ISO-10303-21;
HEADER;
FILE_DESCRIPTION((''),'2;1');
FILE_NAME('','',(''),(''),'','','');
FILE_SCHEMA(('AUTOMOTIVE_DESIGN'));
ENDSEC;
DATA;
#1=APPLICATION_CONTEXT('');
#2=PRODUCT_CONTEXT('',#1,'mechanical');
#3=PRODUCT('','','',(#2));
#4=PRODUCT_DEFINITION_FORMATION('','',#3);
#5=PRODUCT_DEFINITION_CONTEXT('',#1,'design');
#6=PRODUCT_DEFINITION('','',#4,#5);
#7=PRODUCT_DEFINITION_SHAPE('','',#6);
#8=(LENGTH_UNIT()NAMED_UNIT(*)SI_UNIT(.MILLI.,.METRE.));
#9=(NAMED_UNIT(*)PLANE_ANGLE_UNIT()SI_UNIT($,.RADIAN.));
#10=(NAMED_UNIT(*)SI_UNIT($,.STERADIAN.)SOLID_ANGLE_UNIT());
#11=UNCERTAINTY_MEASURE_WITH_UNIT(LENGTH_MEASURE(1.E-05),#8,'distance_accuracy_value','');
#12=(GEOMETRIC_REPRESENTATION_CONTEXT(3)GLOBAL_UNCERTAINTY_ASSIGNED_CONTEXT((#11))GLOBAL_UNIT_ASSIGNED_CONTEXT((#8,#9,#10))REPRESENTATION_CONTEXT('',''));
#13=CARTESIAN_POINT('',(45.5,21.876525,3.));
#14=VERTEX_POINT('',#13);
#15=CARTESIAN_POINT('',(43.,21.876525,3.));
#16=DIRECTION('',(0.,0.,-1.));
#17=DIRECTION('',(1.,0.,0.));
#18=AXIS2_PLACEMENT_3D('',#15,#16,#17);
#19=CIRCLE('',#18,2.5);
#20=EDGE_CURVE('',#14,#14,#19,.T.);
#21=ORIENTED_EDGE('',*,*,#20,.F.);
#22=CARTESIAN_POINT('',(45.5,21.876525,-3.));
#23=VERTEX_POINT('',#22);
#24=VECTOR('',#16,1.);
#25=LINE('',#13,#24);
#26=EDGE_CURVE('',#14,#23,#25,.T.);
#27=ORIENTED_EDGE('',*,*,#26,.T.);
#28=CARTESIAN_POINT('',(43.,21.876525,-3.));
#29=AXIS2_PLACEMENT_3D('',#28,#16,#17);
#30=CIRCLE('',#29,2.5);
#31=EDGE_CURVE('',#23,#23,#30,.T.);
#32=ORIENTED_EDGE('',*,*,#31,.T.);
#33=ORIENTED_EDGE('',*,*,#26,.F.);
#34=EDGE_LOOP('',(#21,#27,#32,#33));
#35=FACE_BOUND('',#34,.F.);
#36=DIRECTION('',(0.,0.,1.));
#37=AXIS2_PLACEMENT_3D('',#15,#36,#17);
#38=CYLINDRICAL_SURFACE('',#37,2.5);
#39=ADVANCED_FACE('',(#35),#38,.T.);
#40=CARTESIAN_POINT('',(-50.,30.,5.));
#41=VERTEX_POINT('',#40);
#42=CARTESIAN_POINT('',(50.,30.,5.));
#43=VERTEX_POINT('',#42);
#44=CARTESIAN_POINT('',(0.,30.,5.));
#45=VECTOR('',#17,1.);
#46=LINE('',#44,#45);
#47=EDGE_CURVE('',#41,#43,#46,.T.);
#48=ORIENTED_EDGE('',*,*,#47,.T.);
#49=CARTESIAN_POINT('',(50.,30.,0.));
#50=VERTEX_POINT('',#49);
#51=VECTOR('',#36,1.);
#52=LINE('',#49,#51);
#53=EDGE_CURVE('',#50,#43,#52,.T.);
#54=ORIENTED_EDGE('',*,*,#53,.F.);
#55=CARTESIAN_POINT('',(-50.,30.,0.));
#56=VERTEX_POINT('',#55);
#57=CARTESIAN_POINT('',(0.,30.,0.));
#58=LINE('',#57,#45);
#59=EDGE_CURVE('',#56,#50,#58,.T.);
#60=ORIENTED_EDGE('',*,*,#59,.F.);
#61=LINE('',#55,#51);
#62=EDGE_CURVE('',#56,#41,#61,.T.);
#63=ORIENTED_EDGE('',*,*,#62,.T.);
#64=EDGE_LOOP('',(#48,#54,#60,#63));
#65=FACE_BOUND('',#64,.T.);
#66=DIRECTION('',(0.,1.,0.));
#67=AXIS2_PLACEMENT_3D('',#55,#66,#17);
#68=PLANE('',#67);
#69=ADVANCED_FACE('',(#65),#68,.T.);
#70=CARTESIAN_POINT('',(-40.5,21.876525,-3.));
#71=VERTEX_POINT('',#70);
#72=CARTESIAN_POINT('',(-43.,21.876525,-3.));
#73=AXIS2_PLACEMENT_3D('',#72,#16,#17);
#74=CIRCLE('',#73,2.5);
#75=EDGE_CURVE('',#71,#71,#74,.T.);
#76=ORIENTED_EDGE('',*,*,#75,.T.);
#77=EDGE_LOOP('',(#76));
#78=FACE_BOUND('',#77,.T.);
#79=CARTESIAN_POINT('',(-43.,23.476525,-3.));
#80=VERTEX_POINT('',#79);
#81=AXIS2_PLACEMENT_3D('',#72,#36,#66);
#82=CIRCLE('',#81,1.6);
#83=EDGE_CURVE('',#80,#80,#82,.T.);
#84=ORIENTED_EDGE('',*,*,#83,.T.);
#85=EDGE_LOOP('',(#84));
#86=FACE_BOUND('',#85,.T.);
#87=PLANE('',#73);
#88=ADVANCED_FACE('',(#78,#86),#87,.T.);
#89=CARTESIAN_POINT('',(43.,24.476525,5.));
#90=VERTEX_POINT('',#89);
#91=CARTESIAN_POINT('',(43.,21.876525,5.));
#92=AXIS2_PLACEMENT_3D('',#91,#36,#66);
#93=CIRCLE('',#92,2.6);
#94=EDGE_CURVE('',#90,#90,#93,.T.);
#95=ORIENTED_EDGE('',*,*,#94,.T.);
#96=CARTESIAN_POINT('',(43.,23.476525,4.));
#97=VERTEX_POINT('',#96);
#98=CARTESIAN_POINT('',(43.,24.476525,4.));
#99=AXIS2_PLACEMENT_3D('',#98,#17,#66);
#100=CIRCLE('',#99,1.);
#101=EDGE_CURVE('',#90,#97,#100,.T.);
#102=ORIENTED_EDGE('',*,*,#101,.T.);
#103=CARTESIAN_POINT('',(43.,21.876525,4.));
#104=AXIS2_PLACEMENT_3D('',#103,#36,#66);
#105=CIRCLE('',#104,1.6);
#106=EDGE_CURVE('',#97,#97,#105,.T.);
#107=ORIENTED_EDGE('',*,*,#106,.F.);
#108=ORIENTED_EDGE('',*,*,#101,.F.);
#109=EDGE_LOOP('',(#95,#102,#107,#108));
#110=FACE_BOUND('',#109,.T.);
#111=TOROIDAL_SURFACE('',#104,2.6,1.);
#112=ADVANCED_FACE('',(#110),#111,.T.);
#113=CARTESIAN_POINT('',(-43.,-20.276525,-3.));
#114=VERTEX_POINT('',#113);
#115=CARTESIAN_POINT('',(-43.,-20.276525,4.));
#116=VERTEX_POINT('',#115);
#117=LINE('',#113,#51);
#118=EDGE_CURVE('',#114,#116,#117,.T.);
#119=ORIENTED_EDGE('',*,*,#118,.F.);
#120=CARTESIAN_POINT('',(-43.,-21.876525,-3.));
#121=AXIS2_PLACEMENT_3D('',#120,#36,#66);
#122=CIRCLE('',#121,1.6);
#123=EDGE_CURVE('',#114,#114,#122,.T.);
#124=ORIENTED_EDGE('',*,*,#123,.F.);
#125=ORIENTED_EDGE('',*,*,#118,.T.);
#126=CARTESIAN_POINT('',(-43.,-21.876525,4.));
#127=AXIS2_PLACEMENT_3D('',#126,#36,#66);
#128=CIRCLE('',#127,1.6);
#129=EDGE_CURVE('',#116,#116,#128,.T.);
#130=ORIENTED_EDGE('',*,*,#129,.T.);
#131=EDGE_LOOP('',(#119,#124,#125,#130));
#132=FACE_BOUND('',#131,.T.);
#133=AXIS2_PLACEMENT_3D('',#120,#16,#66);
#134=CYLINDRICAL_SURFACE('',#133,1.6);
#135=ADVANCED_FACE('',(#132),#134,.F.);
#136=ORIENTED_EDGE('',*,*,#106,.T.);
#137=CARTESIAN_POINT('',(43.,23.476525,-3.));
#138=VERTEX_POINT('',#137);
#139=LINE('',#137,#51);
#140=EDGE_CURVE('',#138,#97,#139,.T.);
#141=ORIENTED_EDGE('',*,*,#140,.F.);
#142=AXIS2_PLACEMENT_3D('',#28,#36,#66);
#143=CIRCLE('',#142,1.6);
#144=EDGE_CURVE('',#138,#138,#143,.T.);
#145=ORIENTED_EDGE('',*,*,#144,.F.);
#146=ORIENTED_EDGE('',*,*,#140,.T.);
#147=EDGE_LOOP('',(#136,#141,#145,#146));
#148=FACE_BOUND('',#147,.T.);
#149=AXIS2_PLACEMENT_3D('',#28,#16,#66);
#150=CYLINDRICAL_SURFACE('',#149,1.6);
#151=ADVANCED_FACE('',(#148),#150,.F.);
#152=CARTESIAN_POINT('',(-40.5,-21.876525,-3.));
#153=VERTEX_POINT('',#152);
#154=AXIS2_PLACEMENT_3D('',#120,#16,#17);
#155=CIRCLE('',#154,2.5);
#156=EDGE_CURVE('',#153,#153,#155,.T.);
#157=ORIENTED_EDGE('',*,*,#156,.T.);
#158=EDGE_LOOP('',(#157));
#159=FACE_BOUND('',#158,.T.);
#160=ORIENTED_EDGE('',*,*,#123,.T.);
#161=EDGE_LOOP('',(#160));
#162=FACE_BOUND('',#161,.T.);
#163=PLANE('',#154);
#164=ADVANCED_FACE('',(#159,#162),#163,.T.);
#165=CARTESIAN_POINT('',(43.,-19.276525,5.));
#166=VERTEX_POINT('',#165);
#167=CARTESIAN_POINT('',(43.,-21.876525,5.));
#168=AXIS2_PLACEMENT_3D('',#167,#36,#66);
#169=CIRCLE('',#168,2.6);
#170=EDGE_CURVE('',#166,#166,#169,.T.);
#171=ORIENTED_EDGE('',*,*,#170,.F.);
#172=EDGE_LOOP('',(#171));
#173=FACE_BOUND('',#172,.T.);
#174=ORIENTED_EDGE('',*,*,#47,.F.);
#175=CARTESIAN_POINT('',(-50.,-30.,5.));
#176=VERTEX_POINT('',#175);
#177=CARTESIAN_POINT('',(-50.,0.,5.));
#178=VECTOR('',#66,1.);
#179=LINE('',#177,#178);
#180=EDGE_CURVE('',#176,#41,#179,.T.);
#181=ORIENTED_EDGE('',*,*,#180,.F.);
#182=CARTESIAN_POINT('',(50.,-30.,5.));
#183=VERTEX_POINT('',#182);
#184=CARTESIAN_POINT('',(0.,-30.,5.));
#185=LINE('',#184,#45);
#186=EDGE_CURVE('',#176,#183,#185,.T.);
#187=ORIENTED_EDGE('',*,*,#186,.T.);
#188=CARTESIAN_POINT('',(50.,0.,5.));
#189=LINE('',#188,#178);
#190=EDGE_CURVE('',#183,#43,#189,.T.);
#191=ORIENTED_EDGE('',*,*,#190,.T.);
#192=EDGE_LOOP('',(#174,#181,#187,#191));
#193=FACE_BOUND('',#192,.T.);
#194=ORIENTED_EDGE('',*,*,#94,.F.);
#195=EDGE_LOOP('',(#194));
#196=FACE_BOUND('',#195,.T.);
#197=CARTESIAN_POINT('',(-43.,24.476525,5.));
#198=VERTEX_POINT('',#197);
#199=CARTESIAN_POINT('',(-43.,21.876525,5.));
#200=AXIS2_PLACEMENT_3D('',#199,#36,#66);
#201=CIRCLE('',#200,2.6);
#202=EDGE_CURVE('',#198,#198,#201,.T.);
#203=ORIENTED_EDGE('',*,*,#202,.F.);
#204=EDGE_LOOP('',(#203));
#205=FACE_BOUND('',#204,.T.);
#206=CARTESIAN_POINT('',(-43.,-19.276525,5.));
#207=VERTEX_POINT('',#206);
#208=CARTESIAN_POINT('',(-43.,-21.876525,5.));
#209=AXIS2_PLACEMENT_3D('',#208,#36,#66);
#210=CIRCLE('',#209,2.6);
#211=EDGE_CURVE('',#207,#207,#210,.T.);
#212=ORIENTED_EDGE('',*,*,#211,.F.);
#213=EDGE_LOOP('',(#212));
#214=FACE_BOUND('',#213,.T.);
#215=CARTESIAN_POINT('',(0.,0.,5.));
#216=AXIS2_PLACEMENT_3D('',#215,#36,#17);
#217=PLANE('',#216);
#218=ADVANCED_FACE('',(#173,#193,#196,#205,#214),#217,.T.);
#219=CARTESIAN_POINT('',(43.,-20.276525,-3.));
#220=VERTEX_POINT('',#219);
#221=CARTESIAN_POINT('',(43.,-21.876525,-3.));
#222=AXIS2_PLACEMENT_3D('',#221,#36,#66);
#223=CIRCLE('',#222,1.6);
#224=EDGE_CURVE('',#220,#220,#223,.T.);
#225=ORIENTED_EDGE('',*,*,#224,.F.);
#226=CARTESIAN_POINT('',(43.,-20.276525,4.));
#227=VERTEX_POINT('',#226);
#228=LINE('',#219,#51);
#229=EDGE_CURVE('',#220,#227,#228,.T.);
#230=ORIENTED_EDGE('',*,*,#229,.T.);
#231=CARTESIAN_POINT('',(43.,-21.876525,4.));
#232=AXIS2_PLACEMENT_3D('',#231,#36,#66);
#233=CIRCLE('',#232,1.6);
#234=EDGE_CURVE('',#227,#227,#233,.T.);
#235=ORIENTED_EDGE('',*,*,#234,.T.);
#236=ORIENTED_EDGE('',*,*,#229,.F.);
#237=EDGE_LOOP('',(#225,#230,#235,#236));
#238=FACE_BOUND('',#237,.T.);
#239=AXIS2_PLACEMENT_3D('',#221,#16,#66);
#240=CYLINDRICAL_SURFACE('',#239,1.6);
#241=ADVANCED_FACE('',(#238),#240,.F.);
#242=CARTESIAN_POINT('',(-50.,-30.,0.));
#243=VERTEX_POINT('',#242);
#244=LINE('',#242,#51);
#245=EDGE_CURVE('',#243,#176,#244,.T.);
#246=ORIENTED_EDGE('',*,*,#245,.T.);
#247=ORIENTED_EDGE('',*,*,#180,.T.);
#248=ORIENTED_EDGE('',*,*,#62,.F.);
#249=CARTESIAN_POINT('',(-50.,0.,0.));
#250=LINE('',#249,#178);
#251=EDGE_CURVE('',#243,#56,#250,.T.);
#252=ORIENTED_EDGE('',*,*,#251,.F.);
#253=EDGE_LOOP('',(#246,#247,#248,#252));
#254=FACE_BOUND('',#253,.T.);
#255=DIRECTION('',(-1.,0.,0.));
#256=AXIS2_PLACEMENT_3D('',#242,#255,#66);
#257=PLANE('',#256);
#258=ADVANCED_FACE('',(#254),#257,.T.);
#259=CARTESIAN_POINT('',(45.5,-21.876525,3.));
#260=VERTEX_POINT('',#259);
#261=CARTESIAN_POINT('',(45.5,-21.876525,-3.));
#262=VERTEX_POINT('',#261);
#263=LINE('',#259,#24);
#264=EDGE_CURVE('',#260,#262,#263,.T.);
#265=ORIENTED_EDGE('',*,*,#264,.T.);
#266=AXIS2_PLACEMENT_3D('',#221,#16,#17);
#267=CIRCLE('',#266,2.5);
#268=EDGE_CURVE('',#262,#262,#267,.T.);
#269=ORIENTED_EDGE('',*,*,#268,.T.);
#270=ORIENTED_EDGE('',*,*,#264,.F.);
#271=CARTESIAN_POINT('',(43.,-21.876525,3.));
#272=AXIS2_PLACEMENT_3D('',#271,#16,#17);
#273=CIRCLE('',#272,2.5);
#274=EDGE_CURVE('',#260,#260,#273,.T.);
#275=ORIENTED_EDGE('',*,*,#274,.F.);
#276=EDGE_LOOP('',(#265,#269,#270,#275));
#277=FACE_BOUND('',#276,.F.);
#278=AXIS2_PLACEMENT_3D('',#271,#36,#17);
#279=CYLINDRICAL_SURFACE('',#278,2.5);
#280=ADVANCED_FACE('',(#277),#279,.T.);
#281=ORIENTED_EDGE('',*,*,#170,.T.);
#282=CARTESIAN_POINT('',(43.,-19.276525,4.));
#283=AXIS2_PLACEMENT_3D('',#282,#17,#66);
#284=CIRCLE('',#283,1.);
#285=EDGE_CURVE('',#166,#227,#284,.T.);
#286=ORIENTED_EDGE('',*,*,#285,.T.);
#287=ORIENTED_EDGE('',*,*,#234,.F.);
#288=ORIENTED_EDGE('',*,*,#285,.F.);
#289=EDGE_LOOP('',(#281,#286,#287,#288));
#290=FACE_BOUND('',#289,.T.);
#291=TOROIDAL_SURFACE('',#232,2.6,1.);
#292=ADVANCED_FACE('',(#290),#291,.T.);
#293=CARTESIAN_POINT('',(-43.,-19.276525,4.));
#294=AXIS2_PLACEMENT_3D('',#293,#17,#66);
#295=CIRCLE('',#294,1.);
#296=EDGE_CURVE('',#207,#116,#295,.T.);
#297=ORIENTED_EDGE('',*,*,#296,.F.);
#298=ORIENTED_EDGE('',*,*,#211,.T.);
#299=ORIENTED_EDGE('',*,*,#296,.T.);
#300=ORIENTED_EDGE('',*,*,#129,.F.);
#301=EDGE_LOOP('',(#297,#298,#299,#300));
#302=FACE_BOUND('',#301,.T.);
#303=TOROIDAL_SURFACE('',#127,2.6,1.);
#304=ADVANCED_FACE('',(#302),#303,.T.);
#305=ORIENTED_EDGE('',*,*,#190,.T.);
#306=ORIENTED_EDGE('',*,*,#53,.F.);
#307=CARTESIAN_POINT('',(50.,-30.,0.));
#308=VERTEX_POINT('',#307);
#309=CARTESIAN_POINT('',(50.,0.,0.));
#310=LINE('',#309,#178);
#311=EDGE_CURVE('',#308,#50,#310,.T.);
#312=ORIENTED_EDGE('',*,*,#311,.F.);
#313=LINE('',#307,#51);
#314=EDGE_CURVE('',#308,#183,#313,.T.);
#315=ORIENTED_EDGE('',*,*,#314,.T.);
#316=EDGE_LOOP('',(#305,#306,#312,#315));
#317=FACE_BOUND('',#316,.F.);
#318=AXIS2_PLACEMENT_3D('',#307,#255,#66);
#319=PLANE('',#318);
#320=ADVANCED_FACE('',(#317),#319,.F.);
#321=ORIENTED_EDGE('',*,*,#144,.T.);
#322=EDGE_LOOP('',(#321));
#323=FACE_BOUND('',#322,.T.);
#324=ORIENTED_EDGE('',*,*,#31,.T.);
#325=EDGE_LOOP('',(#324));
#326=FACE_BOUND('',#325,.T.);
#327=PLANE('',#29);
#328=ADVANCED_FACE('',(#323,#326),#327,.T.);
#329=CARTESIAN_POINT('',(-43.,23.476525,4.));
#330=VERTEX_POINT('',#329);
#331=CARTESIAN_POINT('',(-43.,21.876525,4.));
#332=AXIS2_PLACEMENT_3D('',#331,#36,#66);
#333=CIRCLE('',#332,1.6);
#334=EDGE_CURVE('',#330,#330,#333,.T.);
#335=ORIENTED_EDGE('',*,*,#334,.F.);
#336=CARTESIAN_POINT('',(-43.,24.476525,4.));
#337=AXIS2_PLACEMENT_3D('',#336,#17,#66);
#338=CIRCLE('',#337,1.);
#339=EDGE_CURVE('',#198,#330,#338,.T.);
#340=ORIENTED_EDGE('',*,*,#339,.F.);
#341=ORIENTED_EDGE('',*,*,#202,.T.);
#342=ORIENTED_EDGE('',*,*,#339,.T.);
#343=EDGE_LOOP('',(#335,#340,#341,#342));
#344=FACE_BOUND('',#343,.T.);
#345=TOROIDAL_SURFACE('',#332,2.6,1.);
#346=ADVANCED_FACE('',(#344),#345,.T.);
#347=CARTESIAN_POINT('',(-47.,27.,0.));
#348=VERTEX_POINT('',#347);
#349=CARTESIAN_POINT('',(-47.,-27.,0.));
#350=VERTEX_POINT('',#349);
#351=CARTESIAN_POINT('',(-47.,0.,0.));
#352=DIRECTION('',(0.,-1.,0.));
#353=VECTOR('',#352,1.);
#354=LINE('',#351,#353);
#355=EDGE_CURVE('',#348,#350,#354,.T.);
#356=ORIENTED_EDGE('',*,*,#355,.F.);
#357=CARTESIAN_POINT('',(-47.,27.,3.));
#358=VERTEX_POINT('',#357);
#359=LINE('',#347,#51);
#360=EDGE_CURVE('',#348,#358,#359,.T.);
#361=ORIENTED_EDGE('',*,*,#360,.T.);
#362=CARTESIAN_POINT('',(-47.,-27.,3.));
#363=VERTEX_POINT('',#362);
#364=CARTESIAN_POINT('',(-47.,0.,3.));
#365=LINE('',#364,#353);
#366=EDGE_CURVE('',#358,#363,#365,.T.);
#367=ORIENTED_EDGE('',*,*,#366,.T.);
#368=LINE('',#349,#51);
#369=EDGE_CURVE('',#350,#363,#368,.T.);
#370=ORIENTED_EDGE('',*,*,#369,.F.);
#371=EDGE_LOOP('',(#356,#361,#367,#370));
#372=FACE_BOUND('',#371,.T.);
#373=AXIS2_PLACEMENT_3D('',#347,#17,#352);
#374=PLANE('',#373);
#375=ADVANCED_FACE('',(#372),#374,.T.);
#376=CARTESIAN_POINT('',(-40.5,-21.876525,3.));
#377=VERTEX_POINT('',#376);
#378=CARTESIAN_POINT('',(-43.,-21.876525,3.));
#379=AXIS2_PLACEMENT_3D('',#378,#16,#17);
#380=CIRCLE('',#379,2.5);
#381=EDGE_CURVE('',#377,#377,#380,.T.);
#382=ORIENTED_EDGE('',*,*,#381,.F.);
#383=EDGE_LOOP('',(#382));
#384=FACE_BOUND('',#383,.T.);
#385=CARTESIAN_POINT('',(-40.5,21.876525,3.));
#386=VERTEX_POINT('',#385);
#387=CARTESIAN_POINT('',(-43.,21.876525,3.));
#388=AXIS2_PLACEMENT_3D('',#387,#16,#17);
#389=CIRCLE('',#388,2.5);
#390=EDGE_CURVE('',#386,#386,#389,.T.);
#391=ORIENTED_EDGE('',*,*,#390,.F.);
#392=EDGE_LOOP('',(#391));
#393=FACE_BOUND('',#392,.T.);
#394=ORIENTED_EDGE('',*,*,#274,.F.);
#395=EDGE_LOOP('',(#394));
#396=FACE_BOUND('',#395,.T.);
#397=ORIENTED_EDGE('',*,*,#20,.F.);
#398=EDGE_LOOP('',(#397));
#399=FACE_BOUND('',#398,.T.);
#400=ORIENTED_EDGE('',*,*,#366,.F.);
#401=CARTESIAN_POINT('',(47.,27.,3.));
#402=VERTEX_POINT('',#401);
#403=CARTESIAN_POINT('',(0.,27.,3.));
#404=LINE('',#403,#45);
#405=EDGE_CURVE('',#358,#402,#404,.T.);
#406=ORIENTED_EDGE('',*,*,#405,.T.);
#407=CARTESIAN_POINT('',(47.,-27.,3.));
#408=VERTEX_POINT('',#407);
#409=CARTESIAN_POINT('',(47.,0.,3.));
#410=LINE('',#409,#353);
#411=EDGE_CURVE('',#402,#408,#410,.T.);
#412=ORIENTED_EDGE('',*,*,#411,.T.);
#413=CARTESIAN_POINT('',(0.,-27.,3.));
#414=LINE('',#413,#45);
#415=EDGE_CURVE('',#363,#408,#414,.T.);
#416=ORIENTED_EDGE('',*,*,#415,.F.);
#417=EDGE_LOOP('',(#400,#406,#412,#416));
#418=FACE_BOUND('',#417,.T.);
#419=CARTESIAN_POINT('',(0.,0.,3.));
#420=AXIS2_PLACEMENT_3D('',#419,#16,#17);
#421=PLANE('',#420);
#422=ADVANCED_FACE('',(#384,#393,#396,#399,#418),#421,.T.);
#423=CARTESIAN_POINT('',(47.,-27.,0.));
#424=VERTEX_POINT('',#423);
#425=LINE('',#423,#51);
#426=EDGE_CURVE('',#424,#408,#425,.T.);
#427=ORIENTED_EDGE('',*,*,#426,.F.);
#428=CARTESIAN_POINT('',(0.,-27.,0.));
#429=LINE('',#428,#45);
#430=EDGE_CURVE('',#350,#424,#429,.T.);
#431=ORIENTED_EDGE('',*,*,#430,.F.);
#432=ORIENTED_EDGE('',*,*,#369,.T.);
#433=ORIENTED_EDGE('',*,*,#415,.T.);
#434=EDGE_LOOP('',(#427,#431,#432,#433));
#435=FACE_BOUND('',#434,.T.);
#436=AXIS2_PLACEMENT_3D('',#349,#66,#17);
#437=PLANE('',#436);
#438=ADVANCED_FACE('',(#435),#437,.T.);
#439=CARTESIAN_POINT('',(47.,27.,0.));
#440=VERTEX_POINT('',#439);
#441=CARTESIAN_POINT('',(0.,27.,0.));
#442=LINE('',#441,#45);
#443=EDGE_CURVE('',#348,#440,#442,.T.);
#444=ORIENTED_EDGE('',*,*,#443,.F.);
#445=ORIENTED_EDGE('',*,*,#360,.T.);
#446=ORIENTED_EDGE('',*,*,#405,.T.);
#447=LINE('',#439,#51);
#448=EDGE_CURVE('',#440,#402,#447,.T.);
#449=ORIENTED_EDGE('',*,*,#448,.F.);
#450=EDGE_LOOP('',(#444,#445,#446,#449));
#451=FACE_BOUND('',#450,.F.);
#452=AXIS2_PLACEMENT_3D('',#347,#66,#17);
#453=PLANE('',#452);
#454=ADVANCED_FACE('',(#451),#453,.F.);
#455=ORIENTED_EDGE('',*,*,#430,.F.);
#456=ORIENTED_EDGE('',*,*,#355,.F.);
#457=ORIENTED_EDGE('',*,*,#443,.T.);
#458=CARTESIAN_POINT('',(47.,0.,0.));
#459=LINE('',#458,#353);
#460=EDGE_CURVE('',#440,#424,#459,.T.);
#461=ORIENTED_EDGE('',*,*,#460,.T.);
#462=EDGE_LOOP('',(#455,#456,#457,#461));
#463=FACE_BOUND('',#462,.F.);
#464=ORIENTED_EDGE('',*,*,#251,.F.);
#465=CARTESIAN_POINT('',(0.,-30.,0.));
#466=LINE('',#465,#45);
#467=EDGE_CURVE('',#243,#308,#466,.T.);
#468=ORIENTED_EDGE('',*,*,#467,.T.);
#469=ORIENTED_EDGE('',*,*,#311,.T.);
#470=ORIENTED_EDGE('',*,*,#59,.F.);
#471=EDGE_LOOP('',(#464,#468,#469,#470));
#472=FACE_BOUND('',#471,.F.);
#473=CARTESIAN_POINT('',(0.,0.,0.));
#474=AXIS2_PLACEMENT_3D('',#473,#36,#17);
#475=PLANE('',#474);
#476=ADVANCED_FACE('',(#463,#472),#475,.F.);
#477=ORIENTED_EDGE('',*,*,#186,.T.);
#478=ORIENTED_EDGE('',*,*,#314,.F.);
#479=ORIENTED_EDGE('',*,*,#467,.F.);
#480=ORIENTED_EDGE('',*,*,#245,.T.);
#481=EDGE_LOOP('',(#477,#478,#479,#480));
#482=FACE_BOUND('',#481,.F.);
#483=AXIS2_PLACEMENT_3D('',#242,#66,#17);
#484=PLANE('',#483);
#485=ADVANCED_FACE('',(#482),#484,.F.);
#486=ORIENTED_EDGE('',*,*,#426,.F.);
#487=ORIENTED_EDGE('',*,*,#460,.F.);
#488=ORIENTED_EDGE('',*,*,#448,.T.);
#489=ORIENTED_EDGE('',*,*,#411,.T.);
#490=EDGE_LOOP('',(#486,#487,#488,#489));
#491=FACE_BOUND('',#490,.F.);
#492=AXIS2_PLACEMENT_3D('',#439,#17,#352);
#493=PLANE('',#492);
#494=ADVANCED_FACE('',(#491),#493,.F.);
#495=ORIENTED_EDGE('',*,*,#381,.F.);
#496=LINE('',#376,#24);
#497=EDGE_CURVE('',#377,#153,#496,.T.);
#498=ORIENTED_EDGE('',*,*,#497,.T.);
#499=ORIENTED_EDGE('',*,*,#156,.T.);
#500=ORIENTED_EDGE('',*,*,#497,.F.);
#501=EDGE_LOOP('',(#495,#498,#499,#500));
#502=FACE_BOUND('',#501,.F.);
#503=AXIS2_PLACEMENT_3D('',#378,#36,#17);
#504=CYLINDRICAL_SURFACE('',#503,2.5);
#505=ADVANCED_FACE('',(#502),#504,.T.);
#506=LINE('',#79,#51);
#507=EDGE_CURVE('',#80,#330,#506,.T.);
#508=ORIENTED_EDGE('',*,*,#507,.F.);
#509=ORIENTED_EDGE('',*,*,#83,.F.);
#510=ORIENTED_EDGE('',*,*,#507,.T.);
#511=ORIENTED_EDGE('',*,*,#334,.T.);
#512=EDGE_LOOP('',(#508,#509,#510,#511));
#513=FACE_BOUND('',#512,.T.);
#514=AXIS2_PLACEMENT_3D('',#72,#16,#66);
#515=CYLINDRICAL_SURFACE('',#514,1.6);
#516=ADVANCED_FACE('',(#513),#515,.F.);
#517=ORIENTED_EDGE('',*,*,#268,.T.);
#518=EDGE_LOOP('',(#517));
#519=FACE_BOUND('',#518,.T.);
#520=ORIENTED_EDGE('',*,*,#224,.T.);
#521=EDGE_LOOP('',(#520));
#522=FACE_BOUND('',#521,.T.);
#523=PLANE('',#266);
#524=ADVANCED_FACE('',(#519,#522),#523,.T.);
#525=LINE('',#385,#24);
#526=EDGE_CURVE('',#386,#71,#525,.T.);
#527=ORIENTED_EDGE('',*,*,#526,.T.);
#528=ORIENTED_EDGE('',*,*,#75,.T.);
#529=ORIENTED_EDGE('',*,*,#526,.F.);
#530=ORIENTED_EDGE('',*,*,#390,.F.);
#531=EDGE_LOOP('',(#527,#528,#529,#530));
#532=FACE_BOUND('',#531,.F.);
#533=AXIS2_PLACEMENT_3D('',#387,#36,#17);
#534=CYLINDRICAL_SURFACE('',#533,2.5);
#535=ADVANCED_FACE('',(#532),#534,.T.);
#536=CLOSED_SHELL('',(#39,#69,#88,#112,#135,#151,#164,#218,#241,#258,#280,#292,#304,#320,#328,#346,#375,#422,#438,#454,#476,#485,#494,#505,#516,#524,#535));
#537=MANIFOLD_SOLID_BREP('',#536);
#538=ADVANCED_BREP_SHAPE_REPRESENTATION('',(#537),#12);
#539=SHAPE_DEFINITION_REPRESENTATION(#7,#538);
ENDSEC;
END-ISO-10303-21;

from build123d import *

# Parameters (mm, degrees)
SKETCH004_W     = 100
SKETCH004_H     = 60
PAD002_DEPTH    = 5
SKETCH005_W     = 94
SKETCH005_H     = 54
POCKET001_DEPTH = 3
SKETCH006_R     = 2.5
PAD003_DEPTH    = 6
SKETCH007_R     = 1.6
POCKET002_DEPTH = 8
FILLET001_R     = 1


with BuildPart() as part:
    # Sketch004 → Pad002 (new body)
    with BuildSketch(Plane.XY):
        Rectangle(SKETCH004_W, SKETCH004_H)
    extrude(amount=PAD002_DEPTH)

    # Sketch005 (on Face5 of Pad002) → Pocket001 (cut)
    with BuildSketch(Plane(origin=(0, 0, 0), x_dir=(1, 0, 0), z_dir=(0, 0, -1))):
        Rectangle(SKETCH005_W, SKETCH005_H)
    extrude(amount=-POCKET001_DEPTH, mode=Mode.SUBTRACT)

    # Sketch006 (on Face11 of Pocket001) → Pad003 (join)
    with BuildSketch(Plane(origin=(0, 0, 3), x_dir=(1, 0, 0), z_dir=(0, 0, -1))):
        with Locations((-43, 21.876525)):
            Circle(SKETCH006_R)
        with Locations((-43, -21.876525)):
            Circle(SKETCH006_R)
        with Locations((43, -21.876525)):
            Circle(SKETCH006_R)
        with Locations((43, 21.876525)):
            Circle(SKETCH006_R)
    extrude(amount=PAD003_DEPTH)

    # Sketch007 (on Face16 of Pad003) → Pocket002 (cut)
    with BuildSketch(Plane(origin=(0, 0, -3), x_dir=(0, 1, 0), z_dir=(0, 0, 1))):
        with Locations((-21.876525, 43)):
            Circle(SKETCH007_R)
        with Locations((21.876525, 43)):
            Circle(SKETCH007_R)
        with Locations((-21.876525, -43)):
            Circle(SKETCH007_R)
        with Locations((21.876525, -43)):
            Circle(SKETCH007_R)
    extrude(amount=POCKET002_DEPTH, mode=Mode.SUBTRACT)

    # Fillet001
    fillet001_edges = [part.edges().sort_by_distance(p)[0] for p in [
        (43, -23.476525, 5),
        (43, 20.276525, 5),
        (-43, 20.276525, 5),
        (-43, -23.476525, 5),
    ]]
    fillet(fillet001_edges, radius=FILLET001_R)


solid = part.part
